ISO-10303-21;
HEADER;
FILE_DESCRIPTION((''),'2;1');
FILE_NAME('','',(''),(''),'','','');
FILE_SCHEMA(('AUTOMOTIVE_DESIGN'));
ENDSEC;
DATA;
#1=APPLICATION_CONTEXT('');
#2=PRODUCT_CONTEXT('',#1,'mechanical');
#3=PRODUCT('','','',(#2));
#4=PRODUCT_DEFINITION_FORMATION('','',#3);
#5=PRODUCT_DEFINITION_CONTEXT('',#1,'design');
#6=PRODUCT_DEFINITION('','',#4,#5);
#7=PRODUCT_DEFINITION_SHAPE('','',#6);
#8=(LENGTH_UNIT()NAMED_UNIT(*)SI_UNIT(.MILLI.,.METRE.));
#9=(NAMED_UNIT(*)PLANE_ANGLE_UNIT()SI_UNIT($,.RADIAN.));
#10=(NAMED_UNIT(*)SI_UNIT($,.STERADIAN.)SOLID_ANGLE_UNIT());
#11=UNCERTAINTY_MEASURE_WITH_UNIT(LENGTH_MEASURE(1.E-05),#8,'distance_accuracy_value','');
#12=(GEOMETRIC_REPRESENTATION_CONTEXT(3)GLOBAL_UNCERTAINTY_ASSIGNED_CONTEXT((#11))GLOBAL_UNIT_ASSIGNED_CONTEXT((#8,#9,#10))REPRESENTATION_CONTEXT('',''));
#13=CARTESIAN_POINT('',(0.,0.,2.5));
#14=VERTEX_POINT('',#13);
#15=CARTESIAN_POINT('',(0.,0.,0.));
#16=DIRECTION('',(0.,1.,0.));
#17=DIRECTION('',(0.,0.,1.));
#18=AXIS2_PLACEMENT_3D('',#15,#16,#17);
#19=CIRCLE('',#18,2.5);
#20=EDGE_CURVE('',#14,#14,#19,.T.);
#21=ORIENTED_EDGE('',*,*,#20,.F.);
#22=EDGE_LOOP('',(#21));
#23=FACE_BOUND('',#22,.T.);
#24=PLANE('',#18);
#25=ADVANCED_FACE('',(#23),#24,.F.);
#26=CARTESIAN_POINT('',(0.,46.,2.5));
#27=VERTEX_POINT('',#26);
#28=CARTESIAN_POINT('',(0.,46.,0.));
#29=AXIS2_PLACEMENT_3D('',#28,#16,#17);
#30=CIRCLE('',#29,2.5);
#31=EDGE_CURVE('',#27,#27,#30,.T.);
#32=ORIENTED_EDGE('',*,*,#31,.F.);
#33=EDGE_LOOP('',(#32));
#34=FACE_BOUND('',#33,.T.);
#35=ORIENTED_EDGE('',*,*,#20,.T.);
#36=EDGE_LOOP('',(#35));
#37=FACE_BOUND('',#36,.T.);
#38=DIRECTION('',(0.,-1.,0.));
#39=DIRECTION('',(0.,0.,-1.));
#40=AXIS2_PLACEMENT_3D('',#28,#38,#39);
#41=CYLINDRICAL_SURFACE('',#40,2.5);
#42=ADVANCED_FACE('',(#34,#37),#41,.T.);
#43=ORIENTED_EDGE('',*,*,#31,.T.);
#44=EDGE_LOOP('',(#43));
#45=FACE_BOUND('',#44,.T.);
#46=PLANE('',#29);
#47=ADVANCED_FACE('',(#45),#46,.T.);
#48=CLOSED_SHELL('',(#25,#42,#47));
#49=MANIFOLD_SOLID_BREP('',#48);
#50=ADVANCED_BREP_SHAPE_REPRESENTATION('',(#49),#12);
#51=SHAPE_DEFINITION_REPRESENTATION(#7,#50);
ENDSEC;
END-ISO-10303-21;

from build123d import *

# Parameters (mm, degrees)
CROQUIS1_R              = 2.5
SALIENTE_EXTRUIR1_DEPTH = 46


with BuildPart() as part:
    # Croquis1 → Saliente-Extruir1 (new body)
    with BuildSketch(Plane(origin=(0, 0, 0), x_dir=(1, 0, 0), z_dir=(0, 1, 0))):
        Circle(CROQUIS1_R)
    extrude(amount=SALIENTE_EXTRUIR1_DEPTH)


solid = part.part
